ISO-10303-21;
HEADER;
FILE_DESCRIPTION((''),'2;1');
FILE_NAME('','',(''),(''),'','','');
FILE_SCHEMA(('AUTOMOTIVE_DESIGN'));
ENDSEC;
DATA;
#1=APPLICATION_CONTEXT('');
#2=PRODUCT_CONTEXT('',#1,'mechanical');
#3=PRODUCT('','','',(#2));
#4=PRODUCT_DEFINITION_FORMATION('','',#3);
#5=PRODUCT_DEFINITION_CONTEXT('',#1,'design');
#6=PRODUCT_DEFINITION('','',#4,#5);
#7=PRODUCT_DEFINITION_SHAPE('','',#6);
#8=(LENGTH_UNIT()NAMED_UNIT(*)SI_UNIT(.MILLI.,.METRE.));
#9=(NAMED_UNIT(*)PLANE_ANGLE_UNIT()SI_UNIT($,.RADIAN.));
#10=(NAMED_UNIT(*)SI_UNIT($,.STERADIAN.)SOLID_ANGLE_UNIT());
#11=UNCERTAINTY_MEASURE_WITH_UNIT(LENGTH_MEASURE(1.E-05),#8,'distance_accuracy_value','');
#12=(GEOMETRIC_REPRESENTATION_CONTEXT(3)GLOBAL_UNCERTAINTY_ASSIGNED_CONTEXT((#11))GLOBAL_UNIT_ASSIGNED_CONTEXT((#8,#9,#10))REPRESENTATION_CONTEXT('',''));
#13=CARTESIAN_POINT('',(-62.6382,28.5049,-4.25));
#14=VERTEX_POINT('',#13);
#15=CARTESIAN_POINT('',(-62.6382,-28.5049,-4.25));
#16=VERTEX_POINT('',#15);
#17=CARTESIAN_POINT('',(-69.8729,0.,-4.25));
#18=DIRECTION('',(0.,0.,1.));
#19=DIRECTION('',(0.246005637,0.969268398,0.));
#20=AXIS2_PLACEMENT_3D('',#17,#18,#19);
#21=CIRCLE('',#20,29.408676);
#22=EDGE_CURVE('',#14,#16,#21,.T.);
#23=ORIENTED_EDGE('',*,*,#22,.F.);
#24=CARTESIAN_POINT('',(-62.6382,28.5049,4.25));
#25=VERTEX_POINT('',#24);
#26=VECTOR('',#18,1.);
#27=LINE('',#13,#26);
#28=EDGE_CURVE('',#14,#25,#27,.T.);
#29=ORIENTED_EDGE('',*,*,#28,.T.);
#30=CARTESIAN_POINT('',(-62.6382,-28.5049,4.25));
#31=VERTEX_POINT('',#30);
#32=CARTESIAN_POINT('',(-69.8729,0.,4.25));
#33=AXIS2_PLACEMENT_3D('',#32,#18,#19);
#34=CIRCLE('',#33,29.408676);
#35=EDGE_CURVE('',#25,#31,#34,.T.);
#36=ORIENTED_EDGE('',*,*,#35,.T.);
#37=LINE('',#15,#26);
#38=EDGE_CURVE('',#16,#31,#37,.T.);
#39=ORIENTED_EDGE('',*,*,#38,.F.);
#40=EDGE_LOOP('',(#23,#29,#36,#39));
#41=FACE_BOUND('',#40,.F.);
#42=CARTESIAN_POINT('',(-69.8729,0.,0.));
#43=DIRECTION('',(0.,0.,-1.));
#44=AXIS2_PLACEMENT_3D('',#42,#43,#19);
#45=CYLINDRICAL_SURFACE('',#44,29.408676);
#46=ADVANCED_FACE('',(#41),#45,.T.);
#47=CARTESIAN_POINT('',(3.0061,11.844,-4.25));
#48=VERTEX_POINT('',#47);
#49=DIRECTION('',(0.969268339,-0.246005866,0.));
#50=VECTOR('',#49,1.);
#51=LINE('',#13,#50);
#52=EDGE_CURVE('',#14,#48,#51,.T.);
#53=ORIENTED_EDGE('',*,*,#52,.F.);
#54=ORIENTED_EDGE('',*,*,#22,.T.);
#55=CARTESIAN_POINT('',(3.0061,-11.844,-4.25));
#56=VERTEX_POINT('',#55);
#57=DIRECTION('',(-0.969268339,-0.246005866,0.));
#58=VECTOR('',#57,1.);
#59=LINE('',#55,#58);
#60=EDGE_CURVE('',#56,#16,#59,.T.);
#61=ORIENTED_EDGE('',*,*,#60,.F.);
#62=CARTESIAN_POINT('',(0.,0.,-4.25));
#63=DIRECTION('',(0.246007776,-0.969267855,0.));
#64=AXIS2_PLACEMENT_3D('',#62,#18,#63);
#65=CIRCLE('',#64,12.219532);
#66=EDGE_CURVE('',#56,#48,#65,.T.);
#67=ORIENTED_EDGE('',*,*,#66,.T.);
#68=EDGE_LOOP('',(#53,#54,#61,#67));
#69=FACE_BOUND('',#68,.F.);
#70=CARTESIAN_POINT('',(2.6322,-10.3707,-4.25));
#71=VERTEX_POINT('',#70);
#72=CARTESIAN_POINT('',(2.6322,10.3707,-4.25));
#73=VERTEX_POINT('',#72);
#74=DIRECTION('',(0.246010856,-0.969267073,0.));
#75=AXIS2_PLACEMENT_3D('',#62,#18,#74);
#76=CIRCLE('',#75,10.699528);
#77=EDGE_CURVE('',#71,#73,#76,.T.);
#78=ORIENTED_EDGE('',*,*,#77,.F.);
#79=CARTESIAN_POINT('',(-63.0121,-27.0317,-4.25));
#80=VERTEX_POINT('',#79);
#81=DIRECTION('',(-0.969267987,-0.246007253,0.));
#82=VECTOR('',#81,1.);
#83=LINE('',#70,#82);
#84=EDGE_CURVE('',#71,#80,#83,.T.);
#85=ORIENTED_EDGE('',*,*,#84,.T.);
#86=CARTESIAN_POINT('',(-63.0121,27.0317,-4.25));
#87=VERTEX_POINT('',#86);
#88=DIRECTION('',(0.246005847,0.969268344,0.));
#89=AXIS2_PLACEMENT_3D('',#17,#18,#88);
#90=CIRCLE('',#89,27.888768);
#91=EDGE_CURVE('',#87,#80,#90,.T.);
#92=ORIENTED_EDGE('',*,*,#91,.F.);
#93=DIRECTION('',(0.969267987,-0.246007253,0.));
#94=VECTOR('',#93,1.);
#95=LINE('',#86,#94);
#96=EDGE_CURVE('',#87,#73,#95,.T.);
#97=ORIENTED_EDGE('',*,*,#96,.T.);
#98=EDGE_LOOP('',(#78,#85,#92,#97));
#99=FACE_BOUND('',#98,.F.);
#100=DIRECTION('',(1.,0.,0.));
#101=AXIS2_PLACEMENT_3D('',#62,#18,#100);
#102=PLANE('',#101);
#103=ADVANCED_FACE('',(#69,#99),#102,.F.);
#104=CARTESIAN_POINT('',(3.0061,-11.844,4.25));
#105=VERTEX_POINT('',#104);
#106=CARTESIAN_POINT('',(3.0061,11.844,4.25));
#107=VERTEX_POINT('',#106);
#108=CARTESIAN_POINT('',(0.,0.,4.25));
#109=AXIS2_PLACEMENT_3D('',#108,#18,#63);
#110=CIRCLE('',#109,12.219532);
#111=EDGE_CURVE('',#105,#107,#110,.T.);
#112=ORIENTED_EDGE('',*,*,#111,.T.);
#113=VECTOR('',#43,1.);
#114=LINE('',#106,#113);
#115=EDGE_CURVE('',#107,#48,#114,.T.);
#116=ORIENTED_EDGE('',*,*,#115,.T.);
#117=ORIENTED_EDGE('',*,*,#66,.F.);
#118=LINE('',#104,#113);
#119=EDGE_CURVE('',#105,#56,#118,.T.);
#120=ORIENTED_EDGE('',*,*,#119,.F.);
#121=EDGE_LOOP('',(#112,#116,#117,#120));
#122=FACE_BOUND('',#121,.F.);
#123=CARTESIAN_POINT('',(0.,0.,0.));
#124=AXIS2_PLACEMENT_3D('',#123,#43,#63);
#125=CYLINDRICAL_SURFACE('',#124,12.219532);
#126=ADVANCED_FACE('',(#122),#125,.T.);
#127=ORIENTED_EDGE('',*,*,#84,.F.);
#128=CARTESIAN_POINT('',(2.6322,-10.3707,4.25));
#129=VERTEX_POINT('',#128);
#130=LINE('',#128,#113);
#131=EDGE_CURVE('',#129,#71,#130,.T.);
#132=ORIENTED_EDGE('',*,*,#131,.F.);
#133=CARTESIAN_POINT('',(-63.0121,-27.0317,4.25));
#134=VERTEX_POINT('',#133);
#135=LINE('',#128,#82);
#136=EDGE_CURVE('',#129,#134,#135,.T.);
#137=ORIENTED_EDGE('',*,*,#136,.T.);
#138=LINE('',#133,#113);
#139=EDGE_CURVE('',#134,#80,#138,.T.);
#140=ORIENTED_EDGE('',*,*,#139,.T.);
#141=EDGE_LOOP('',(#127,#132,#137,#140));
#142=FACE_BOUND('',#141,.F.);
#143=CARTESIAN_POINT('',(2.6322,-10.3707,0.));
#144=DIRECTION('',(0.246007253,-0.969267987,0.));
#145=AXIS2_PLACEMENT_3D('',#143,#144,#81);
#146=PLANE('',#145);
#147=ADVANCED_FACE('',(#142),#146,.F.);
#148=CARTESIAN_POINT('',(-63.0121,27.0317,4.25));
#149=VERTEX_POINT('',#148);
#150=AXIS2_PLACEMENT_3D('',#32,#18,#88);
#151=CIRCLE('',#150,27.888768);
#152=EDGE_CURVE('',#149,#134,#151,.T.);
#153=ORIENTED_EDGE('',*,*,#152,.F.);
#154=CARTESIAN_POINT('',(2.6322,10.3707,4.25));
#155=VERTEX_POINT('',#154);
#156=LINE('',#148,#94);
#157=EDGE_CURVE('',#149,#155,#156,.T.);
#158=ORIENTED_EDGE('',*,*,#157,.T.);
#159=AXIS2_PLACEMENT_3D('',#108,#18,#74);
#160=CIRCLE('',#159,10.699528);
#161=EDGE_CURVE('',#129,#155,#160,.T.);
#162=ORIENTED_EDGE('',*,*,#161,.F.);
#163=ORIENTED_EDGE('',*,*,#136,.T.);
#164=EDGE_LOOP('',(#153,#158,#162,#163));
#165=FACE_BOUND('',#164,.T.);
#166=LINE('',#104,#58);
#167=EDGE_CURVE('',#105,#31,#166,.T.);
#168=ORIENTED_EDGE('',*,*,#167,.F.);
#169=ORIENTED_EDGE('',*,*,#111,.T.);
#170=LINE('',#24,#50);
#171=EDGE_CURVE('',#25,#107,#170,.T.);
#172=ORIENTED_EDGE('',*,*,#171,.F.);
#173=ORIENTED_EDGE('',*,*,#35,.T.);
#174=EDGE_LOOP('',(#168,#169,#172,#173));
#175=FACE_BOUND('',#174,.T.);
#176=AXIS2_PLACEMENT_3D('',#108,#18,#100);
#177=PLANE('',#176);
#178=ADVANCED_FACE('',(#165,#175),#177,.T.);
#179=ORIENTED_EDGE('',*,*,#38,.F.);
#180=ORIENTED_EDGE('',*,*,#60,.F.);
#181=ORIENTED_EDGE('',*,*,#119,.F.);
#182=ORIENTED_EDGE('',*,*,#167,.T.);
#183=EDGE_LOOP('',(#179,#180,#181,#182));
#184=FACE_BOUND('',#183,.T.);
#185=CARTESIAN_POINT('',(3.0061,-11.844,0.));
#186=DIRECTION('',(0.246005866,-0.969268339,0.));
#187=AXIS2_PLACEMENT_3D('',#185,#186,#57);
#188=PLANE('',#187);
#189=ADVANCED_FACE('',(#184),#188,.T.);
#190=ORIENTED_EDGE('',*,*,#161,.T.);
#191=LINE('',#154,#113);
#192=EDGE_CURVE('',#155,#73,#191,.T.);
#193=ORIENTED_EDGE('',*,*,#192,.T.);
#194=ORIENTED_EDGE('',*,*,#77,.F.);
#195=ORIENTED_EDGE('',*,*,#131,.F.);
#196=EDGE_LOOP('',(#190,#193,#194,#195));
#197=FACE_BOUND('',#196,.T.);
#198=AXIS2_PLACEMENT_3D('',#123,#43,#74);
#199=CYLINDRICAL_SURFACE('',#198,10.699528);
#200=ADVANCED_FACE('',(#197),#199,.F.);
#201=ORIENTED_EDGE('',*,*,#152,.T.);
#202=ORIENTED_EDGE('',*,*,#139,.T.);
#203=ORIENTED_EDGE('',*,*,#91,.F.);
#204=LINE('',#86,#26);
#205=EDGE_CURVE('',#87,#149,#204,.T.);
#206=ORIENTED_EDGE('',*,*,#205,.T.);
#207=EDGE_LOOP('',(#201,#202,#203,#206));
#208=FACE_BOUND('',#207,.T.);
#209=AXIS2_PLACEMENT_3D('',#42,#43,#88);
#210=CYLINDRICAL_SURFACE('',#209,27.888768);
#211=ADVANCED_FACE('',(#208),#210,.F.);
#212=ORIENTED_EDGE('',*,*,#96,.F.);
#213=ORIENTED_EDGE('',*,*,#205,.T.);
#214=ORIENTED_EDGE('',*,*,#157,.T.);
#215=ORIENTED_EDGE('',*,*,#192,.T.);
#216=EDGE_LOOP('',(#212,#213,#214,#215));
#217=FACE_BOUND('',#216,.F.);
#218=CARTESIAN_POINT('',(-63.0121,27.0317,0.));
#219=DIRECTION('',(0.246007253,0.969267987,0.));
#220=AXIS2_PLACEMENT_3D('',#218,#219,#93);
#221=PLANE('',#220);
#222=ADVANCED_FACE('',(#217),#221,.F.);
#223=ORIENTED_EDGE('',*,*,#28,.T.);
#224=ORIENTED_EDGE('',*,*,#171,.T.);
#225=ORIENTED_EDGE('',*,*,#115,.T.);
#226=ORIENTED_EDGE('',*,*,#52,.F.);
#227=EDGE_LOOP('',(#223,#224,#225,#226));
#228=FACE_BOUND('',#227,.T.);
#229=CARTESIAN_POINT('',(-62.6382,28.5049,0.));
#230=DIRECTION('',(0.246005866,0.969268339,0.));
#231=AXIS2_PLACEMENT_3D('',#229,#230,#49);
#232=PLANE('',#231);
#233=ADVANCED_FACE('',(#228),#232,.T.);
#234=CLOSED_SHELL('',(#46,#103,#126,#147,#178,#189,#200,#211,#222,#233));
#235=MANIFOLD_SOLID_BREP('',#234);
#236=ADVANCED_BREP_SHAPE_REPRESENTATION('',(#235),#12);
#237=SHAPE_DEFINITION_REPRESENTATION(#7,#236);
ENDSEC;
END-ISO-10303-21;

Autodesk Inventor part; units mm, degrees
ref_plane "YZ Plane" through (0, 0, 0) normal (1, 0, 0) x (0, 1, 0)
ref_plane "XZ Plane" through (0, 0, 0) normal (0, 1, 0) x (-1, 0, 0)
ref_plane "XY Plane" through (0, 0, 0) normal (0, 0, 1) x (1, 0, 0)
sketch "Sketch1" plane through (0, 0, 0) normal (0, 0, 1) x (1, 0, 0)
  arc A0 (2.8191, -11.1073) -> (2.8191, 11.1073) centre (0, 0) ccw construction
  arc A1 (-62.8251, 27.7683) -> (-62.8251, -27.7683) centre (-69.8729, 0) ccw construction
  line L0 (2.8191, -11.1073) -> (-62.8251, -27.7683) construction
  line L1 (2.8191, 11.1073) -> (-62.8251, 27.7683) construction
  dimension "Belt_Teeth" = 90
  dimension "Belt_Pitch2" = 3
  dimension "d0" = 22.919
  dimension "d1" = 57.2975
  dimension "d2" = 30.3043
  dimension "d3" = 104.2444
  dimension "Center_Distance" = 69.8729
  dimension "d5" = 67.7256
sketch "Sketch2" plane through (0, 0, 0) normal (0, 0, 1) x (1, 0, 0)
  line L0 (35.7235, 34.2567) -> (38.7235, 34.2567)
  point P0 (0, 0)
  dimension "Belt_Pitch2" = 3
sketch "Sketch4" plane through (0, 0, 0) normal (0, 0, 1) x (1, 0, 0)
  line L0 (-16.1422, -21.869) -> (-14.1422, -21.869)
  line L1 (-16.1422, -21.869) -> (-16.1422, -20.349)
  arc A0 (-15.5872, -20.904) -> (-16.1422, -20.349) centre (-16.1422, -20.904) ccw
  line L2 (-15.5872, -20.904) -> (-15.5872, -20.959)
  arc A1 (-15.5872, -20.959) -> (-15.4372, -21.109) centre (-15.4372, -20.959) ccw
  line L3 (-15.4372, -21.109) -> (-14.8472, -21.109)
  line L4 (-14.1422, -21.869) -> (-14.1422, -20.349)
  arc A2 (-14.1422, -20.349) -> (-14.6972, -20.904) centre (-14.1422, -20.904) ccw
  arc A3 (-14.8472, -21.109) -> (-14.6972, -20.959) centre (-14.8472, -20.959) ccw
  line L5 (-14.6972, -20.959) -> (-14.6972, -20.904)
  line L6 (2.8191, 11.1073) -> (-62.8251, 27.7683) construction
  arc A4 (-62.8251, 27.7683) -> (-62.8251, -27.7683) centre (-69.8729, 0) ccw construction
  line L7 (2.8191, -11.1073) -> (-62.8251, -27.7683) construction
  arc A5 (2.8191, -11.1073) -> (2.8191, 11.1073) centre (0, 0) ccw construction
  arc A6 (-62.6382, 28.5049) -> (-62.6382, -28.5049) centre (-69.8729, 0) ccw
  line L8 (-62.6382, 28.5049) -> (3.0061, 11.844)
  arc A7 (3.0061, -11.844) -> (3.0061, 11.844) centre (0, 0) ccw
  line L9 (3.0061, -11.844) -> (-62.6382, -28.5049)
  arc A8 (-63.0121, 27.0317) -> (-63.0121, -27.0317) centre (-69.8729, 0) ccw
  line L10 (-63.0121, 27.0317) -> (2.6322, 10.3707)
  arc A9 (2.6322, -10.3707) -> (2.6322, 10.3707) centre (0, 0) ccw
  line L11 (2.6322, -10.3707) -> (-63.0121, -27.0317)
  point P0 (-15.1422, -21.109)
  point P1 (-15.1422, -21.869)
  dimension "d9" = 2
  dimension "d10" = 1.52
  dimension "d11" = 0.76
  dimension "d12" = 0.555
  dimension "d13" = 0.555
  dimension "d14" = 0.15
  dimension "d15" = 0.15
  dimension "belt_thickness" = 1.52
  dimension "d44" = 0.76
extrude "Extrusion2" add sketch "Sketch4" along normal mid plane 8.5 contours L8 A7 L9 A6
sketch "Sketch5" plane through (0, 0, 4.25) normal (0, 0, 1) x (1, 0, 0)
  line L0 (-63.0121, 27.0317) -> (2.6322, 10.3707) construction
  arc A0 (2.6322, -10.3707) -> (2.6322, 10.3707) centre (0, 0) ccw construction
  line L1 (2.6322, -10.3707) -> (-63.0121, -27.0317) construction
  arc A1 (-63.0121, 27.0317) -> (-63.0121, -27.0317) centre (-69.8729, 0) ccw construction
  arc A2 (-62.6382, 28.5049) -> (-62.6382, -28.5049) centre (-69.8729, 0) ccw construction
  line L2 (-62.6382, -28.5049) -> (3.0061, -11.844) construction
  arc A3 (3.0061, -11.844) -> (3.0061, 11.844) centre (0, 0) ccw construction
  line L3 (3.0061, 11.844) -> (-62.6382, 28.5049) construction
  line L4 (-7.7556, -2.6989) -> (-5.7556, -2.6989)
  line L5 (-7.7556, -2.6989) -> (-7.7556, -1.1789) construction
  arc A4 (-7.2006, -1.7339) -> (-7.7556, -1.1789) centre (-7.7556, -1.7339) ccw
  line L6 (-7.2006, -1.7339) -> (-7.2006, -1.7889)
  arc A5 (-7.2006, -1.7889) -> (-7.0506, -1.9389) centre (-7.0506, -1.7889) ccw
  line L7 (-7.0506, -1.9389) -> (-6.4606, -1.9389)
  line L8 (-5.7556, -2.6989) -> (-5.7556, -1.1789)
  arc A6 (-5.7556, -1.1789) -> (-6.3106, -1.7339) centre (-5.7556, -1.7339) ccw
  arc A7 (-6.4606, -1.9389) -> (-6.3106, -1.7889) centre (-6.4606, -1.7889) ccw
  line L9 (-6.3106, -1.7889) -> (-6.3106, -1.7339)
  line L10 (-8.3106, -1.7339) -> (-8.3106, -1.7889)
  arc A8 (-7.7556, -1.1789) -> (-8.3106, -1.7339) centre (-7.7556, -1.7339) ccw
  arc A9 (-8.4606, -1.9389) -> (-8.3106, -1.7889) centre (-8.4606, -1.7889) ccw
  line L11 (-8.4606, -1.9389) -> (-9.0506, -1.9389)
  line L12 (-7.7556, -2.6989) -> (-9.7556, -2.6989)
  line L13 (-9.2006, -1.7889) -> (-9.2006, -1.7339)
  arc A10 (-9.2006, -1.7339) -> (-9.7556, -1.1789) centre (-9.7556, -1.7339) ccw
  line L14 (-9.7556, -2.6989) -> (-9.7556, -1.1789)
  arc A11 (-9.2006, -1.7889) -> (-9.0506, -1.9389) centre (-9.0506, -1.7889) ccw
  line L15 (-17.66, -0.8495) -> (-14.922, -0.8495) construction
  line L16 (-14.922, -0.8495) -> (-14.922, -2.3671) construction
  line L17 (-14.922, -2.3671) -> (-17.66, -2.3671) construction
  line L18 (-17.66, -2.3671) -> (-17.66, -0.8495) construction
  arc A12 (-15.6383, -1.7102) -> (-16.7483, -1.7102) centre (-16.1933, -1.7102) ccw construction
  line L19 (-16.7483, -1.7102) -> (-16.7483, -1.7652) construction
  arc A13 (-16.8983, -1.9152) -> (-16.7483, -1.7652) centre (-16.8983, -1.7652) ccw construction
  line L20 (-16.7483, -1.7102) -> (-16.7483, -1.9152) construction
  line L21 (-15.6383, -1.7102) -> (-15.6383, -1.9152) construction
  point P0 (-6.7556, -1.9389)
  point P1 (-6.7556, -2.6989)
  point P2 (-8.7556, -2.6989)
  point P3 (-8.7556, -1.9389)
  dimension "d22" = 2
  dimension "d23" = 1.52
  dimension "d24" = 0.76
  dimension "d25" = 0.555
  dimension "d26" = 0.555
  dimension "d27" = 0.15
  dimension "d28" = 0.15
  dimension "d29" = 0.76
  dimension "d30" = 1
  dimension "d31" = 2
  dimension "d32" = 0.59
  dimension "d34" = 0.555
  dimension "d35" = 0
  dimension "d36" = 0
  dimension "d37" = 0.15
  dimension "d38" = 0.055
  dimension "d39" = 0.055
  dimension "d40" = 0
  dimension "d41" = 0
  dimension "d42" = 0.205
  dimension "d43" = 0.205
equation "\"d13\" = d12"
equation "\"d15\" = d14"
equation "\"d44\" = 0.5 * belt_thickness"
equation "\"d26\" = d25"
equation "\"d28\" = d27"
equation "\"d30\" = 0.5 * d22"
equation "\"d31\" = d22"
equation "\"d43\" = d42"
equation "\"Belt_Teeth\" = 90"
equation "\"Belt_Pitch\" = 3"
equation "\"HTD_5mm\" = 5"
equation "\"GT2_3mm\" = 3"
equation "\"Center_Distance_Copy\" = Center_Distance"
properties part number "90T GT2 Belt" material "Rubber"
